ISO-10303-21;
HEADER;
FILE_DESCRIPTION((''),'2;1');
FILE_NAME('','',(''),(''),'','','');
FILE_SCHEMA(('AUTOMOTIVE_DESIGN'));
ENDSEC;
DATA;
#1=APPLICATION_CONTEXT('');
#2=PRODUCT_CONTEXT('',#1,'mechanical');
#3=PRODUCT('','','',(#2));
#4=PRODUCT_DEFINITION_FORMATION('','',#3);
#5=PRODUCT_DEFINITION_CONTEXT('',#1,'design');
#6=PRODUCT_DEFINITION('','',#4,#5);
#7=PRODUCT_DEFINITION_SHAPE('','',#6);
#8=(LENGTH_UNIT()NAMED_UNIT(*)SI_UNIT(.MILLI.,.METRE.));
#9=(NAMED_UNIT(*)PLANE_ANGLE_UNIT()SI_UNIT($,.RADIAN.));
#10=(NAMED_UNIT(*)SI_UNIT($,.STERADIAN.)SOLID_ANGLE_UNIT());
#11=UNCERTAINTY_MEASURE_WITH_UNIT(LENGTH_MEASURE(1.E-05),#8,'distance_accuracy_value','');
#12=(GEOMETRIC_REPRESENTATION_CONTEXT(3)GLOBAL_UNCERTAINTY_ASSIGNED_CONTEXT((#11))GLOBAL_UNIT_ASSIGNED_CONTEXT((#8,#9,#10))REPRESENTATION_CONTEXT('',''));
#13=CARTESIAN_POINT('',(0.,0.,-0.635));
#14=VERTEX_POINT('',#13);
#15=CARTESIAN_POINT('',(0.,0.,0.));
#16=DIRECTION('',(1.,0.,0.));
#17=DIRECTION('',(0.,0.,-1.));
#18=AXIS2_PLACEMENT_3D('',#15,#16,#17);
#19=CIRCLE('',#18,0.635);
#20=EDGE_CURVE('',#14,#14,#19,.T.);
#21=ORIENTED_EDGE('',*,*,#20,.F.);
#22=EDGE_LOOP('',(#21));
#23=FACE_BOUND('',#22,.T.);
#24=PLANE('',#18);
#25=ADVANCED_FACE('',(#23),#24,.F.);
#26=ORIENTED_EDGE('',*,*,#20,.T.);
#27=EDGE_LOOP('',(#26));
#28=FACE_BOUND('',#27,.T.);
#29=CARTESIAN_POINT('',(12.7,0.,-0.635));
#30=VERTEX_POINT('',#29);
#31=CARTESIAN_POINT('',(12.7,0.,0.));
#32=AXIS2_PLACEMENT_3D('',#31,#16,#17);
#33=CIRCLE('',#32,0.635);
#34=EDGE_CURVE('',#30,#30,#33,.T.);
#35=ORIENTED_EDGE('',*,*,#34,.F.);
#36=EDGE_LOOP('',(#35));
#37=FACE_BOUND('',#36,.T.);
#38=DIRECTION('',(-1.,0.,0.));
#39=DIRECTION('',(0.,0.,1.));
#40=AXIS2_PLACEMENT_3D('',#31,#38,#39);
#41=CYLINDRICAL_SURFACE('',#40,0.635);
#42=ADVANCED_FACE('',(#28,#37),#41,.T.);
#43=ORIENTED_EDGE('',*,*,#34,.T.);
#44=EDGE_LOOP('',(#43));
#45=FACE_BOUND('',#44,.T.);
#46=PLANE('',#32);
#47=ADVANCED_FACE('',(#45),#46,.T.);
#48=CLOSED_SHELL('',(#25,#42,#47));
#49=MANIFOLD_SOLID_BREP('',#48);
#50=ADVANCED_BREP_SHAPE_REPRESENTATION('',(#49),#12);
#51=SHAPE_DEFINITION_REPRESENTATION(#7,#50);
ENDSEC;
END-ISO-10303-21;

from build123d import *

# Parameters (mm, degrees)
SKETCH1_R           = 0.635
BOSS_EXTRUDE1_DEPTH = 12.7


with BuildPart() as part:
    # Sketch1 → Boss-Extrude1 (new body)
    with BuildSketch(Plane(origin=(0, 0, 0), x_dir=(0, 0, -1), z_dir=(1, 0, 0))):
        Circle(SKETCH1_R)
    extrude(amount=BOSS_EXTRUDE1_DEPTH)


solid = part.part
